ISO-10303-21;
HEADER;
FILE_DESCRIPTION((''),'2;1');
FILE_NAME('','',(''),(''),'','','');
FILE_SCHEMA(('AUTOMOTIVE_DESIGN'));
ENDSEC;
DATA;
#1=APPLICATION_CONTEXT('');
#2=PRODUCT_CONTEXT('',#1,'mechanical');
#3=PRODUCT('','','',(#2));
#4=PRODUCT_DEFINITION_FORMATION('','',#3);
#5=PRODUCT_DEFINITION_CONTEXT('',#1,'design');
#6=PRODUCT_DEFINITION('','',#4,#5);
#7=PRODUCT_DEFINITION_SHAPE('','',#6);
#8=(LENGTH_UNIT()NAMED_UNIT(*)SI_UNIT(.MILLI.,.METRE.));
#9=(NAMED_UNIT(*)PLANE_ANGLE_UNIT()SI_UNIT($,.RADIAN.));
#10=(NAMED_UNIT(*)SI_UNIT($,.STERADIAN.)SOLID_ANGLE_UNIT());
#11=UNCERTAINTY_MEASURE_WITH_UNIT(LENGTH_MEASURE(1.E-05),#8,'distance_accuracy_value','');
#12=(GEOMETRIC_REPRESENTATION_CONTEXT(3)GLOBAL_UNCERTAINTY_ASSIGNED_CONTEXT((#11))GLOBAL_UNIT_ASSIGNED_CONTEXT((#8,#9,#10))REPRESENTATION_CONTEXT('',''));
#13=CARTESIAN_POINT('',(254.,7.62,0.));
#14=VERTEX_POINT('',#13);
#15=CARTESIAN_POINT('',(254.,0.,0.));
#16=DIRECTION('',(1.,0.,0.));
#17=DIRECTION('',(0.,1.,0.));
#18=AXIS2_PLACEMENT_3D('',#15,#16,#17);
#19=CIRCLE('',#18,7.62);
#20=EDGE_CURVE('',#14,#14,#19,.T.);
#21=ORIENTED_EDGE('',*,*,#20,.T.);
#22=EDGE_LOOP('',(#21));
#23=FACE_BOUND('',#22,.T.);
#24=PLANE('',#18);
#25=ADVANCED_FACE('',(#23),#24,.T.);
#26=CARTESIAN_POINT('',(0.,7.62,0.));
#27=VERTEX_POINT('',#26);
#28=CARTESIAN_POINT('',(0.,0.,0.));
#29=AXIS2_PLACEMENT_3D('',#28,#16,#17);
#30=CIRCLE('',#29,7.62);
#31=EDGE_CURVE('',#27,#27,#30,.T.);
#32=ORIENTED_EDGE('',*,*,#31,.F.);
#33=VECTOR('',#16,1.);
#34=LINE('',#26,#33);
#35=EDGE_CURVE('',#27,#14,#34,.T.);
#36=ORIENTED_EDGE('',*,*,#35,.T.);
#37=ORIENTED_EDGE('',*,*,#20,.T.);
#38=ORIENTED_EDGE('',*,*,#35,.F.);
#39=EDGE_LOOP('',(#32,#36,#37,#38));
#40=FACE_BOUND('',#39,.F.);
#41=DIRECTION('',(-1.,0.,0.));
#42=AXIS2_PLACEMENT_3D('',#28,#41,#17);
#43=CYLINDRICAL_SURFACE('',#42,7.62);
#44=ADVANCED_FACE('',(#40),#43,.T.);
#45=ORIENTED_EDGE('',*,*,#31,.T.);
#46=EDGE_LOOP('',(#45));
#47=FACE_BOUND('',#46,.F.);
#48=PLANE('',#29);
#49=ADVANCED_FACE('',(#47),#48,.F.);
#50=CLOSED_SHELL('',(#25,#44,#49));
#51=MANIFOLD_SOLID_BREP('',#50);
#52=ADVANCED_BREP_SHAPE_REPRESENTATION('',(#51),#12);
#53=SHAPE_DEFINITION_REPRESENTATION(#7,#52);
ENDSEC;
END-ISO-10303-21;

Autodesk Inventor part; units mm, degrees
ref_plane "YZ Plane" through (0, 0, 0) normal (1, 0, 0) x (0, 1, 0)
ref_plane "XZ Plane" through (0, 0, 0) normal (0, 1, 0) x (-1, 0, 0)
ref_plane "XY Plane" through (0, 0, 0) normal (0, 0, 1) x (1, 0, 0)
sketch "Sketch1" plane through (0, 0, 0) normal (1, 0, 0) x (0, 1, 0)
  circle A0 centre (0, 0) radius 7.62
  dimension "d0" = 15.24
extrude "Extrusion1" add sketch "Sketch1" along normal blind 254
properties part number "collector Axle"
